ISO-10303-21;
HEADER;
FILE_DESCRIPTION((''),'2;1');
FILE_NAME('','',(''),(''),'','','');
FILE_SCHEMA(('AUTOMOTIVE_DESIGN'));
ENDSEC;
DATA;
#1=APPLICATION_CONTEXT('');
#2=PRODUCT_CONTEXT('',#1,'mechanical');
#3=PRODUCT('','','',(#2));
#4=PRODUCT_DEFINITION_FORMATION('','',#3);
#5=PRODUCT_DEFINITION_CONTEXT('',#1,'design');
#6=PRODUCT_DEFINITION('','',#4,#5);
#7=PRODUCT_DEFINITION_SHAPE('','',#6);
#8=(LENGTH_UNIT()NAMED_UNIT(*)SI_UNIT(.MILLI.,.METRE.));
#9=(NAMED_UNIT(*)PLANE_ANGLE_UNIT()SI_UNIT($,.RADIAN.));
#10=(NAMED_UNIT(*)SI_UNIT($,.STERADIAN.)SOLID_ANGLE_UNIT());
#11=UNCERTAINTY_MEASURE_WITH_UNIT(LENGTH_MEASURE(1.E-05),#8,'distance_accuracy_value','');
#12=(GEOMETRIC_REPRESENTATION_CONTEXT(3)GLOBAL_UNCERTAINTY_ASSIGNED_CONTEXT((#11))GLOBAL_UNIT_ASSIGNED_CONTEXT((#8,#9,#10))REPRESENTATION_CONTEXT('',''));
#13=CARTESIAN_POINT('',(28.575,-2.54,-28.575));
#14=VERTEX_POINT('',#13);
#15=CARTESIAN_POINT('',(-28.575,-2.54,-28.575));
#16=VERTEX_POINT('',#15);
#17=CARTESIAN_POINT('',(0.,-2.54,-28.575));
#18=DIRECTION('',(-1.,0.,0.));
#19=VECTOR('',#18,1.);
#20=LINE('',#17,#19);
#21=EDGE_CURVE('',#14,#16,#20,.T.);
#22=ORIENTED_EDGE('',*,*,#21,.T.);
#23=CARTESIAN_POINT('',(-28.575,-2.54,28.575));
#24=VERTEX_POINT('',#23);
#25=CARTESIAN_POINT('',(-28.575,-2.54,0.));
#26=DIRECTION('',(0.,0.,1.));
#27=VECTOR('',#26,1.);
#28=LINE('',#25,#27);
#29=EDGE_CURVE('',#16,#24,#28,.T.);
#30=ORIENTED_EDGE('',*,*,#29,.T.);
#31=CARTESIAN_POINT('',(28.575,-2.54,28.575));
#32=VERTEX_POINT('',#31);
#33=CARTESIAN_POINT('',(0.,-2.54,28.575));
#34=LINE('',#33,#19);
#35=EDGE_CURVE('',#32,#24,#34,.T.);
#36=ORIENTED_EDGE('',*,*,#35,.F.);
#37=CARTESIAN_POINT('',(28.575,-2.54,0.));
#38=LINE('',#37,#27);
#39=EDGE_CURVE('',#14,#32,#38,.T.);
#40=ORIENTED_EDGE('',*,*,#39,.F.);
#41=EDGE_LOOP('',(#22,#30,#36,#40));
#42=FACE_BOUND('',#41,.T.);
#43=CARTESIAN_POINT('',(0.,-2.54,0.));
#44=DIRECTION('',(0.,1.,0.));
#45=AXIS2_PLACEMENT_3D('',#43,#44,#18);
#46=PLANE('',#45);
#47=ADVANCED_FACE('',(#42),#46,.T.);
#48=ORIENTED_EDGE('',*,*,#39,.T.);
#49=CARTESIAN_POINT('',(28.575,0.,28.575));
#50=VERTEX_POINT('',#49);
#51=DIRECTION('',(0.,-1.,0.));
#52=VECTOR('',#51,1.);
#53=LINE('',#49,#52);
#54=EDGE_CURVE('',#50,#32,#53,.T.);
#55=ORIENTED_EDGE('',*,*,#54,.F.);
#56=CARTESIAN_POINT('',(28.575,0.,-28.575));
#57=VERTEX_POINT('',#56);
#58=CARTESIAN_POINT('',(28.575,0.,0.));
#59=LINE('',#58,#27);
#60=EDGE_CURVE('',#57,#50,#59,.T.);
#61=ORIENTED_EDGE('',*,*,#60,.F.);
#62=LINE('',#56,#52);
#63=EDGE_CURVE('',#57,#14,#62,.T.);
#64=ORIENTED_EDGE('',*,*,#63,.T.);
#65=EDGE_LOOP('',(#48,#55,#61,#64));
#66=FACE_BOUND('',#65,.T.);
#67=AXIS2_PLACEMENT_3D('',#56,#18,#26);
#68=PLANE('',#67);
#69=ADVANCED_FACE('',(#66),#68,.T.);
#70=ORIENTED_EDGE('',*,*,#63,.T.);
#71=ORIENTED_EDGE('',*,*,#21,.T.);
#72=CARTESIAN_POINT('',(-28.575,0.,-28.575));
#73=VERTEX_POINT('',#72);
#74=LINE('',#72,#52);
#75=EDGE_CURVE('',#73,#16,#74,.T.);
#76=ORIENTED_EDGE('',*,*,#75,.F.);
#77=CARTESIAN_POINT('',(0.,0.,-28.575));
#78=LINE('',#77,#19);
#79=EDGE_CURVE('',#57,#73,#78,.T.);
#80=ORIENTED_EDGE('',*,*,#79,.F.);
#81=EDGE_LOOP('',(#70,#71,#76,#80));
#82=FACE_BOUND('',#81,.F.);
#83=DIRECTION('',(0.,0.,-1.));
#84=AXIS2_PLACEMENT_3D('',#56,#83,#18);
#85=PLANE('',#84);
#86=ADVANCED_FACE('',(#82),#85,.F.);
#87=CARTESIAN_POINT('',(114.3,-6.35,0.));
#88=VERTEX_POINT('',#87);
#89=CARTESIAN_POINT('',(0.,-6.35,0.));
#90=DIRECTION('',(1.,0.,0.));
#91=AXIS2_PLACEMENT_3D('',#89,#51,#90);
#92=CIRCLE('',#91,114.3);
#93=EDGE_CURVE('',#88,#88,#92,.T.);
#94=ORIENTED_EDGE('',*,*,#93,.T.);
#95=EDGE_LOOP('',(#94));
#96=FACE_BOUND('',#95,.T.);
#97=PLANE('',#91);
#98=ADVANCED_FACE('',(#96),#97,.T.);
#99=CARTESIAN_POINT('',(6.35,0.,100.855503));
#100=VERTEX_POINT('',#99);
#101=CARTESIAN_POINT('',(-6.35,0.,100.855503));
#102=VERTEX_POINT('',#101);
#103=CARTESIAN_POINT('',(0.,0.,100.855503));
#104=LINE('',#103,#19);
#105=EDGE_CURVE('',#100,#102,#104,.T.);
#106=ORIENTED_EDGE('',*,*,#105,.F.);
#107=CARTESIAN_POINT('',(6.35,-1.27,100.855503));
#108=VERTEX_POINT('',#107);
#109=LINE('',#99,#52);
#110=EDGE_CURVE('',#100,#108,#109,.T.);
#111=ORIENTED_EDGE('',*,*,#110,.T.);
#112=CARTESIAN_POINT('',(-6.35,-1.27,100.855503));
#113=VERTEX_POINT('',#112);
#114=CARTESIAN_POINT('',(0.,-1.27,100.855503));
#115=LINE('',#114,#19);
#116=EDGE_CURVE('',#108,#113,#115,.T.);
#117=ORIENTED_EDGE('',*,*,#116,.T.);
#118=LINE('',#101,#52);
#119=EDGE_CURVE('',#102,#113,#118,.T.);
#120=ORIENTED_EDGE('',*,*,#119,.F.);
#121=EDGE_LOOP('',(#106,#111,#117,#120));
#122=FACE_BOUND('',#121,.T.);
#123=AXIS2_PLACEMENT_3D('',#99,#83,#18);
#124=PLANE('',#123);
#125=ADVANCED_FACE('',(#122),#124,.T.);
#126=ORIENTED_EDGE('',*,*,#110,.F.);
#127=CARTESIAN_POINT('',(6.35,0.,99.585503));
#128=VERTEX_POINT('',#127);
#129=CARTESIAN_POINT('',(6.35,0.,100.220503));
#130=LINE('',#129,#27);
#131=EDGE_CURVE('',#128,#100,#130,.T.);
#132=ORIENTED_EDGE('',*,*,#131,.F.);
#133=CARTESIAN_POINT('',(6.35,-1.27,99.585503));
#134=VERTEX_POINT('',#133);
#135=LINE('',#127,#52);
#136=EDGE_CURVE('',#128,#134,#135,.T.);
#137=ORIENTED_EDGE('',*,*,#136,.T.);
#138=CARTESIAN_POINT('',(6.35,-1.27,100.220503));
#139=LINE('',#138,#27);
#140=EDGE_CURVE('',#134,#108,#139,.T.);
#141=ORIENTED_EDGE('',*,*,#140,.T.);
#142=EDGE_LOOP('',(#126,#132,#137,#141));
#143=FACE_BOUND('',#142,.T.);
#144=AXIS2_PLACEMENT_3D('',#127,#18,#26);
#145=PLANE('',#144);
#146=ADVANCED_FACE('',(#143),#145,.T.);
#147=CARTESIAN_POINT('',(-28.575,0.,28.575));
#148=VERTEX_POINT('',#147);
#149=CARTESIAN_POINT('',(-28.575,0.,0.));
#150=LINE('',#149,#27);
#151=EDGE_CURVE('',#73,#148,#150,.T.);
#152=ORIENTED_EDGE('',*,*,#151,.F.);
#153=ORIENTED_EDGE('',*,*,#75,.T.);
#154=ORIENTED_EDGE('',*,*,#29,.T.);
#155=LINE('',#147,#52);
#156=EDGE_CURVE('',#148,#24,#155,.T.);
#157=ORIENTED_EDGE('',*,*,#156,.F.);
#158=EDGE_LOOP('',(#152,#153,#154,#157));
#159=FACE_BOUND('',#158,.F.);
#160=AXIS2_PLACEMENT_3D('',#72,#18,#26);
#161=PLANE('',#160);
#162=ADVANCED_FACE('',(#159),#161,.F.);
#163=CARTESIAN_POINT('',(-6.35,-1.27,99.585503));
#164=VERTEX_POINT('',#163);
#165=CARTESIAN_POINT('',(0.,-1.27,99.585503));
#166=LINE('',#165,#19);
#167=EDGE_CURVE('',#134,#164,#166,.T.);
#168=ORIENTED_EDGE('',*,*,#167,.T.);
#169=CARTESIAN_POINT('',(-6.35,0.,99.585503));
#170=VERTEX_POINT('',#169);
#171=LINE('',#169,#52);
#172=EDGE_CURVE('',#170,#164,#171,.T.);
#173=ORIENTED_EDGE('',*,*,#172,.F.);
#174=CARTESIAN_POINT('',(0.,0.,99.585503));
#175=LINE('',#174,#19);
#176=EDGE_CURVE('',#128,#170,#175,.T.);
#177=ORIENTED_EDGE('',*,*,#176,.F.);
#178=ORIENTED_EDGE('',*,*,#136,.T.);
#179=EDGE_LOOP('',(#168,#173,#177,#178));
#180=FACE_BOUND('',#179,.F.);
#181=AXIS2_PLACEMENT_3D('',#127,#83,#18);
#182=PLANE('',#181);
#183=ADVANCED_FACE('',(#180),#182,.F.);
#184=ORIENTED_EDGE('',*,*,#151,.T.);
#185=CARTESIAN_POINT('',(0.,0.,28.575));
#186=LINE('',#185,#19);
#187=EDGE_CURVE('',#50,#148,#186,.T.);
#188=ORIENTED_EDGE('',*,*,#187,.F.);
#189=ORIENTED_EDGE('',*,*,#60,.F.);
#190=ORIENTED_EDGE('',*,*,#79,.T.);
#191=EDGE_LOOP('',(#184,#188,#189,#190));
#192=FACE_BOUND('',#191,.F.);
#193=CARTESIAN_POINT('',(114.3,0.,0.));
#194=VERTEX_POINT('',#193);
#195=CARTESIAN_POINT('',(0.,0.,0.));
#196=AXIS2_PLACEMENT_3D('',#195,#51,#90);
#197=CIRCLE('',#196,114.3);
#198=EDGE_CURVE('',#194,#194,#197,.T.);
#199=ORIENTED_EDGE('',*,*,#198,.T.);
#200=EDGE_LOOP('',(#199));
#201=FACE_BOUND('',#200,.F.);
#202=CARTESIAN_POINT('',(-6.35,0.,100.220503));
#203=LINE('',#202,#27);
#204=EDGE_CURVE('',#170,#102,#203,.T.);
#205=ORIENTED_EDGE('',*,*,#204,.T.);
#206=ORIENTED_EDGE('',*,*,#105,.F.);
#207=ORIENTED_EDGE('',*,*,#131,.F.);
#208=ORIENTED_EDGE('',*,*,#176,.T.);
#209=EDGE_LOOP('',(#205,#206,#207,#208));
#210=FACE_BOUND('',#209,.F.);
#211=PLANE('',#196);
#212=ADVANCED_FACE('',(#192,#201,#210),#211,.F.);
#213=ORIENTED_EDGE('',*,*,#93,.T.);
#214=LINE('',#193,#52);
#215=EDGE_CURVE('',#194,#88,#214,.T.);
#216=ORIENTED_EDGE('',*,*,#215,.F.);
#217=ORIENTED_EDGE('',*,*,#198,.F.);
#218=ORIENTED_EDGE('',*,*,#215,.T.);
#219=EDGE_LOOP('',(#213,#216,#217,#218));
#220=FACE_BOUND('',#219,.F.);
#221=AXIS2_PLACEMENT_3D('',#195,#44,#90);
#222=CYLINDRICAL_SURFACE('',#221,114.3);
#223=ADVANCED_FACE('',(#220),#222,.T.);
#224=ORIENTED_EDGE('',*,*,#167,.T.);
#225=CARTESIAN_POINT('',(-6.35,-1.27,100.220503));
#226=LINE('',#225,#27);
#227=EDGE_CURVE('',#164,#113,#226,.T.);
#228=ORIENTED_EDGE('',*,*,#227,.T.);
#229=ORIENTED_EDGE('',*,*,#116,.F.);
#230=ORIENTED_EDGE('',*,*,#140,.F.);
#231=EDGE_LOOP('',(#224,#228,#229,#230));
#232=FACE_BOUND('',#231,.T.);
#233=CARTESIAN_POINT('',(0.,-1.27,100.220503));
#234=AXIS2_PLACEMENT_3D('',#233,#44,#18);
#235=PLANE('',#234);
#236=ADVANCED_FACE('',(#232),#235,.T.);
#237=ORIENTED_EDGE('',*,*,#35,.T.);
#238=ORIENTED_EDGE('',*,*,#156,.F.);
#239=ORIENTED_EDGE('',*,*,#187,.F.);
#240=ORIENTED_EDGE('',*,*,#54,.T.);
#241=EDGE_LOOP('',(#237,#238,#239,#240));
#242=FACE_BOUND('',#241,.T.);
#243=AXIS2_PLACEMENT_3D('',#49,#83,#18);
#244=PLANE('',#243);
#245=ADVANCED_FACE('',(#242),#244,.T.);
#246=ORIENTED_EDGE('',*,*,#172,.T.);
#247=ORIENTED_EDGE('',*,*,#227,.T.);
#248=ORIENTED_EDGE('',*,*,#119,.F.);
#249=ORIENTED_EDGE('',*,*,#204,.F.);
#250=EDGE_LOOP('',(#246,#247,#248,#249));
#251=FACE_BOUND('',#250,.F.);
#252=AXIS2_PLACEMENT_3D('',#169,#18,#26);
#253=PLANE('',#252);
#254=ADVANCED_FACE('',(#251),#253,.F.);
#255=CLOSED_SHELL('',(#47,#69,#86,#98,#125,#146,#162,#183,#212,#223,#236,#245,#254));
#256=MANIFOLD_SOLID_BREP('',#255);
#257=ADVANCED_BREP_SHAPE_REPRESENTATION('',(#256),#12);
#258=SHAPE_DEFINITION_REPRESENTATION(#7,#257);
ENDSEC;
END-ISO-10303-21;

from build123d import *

# Parameters (mm, degrees)
F0_R     = 114.3
F1_DEPTH = 25.4
F2_DEPTH = 12.7
F3_DEPTH = 6.35
F4_W     = 57.15
F4_H     = 57.15
F5_DEPTH = 2.54
F6_W     = 12.7
F6_H     = 1.27
F7_DEPTH = 1.27


with BuildPart() as f1:
    # F0 (on Front) → F1 (new body)
    with BuildSketch(Plane.XZ):
        Circle(F0_R)
    extrude(amount=F1_DEPTH)

    # F2 (cut): a face of the model
    f2_faces = [f1.faces().sort_by_distance(p)[0] for p in [
        (0, -25.4, 0),
    ]]
    extrude(f2_faces, amount=-F2_DEPTH, mode=Mode.SUBTRACT)

    # F3 (cut): a face of the model
    f3_faces = [f1.faces().sort_by_distance(p)[0] for p in [
        (0, -12.7, 0),
    ]]
    extrude(f3_faces, amount=-F3_DEPTH, mode=Mode.SUBTRACT)

    # F4 (on face) → F5 (cut)
    with BuildSketch(Plane(origin=(0, 0, 0), x_dir=(-1, 0, 0), z_dir=(0, 1, 0))):
        Rectangle(F4_W, F4_H)
    extrude(amount=-F5_DEPTH, mode=Mode.SUBTRACT)

    # F6 (on face) → F7 (cut)
    with BuildSketch(Plane(origin=(0, 0, 0), x_dir=(-1, 0, 0), z_dir=(0, 1, 0))):
        with Locations((0, 100.2205033398)):
            Rectangle(F6_W, F6_H)
    extrude(amount=-F7_DEPTH, mode=Mode.SUBTRACT)


solid = f1.part
